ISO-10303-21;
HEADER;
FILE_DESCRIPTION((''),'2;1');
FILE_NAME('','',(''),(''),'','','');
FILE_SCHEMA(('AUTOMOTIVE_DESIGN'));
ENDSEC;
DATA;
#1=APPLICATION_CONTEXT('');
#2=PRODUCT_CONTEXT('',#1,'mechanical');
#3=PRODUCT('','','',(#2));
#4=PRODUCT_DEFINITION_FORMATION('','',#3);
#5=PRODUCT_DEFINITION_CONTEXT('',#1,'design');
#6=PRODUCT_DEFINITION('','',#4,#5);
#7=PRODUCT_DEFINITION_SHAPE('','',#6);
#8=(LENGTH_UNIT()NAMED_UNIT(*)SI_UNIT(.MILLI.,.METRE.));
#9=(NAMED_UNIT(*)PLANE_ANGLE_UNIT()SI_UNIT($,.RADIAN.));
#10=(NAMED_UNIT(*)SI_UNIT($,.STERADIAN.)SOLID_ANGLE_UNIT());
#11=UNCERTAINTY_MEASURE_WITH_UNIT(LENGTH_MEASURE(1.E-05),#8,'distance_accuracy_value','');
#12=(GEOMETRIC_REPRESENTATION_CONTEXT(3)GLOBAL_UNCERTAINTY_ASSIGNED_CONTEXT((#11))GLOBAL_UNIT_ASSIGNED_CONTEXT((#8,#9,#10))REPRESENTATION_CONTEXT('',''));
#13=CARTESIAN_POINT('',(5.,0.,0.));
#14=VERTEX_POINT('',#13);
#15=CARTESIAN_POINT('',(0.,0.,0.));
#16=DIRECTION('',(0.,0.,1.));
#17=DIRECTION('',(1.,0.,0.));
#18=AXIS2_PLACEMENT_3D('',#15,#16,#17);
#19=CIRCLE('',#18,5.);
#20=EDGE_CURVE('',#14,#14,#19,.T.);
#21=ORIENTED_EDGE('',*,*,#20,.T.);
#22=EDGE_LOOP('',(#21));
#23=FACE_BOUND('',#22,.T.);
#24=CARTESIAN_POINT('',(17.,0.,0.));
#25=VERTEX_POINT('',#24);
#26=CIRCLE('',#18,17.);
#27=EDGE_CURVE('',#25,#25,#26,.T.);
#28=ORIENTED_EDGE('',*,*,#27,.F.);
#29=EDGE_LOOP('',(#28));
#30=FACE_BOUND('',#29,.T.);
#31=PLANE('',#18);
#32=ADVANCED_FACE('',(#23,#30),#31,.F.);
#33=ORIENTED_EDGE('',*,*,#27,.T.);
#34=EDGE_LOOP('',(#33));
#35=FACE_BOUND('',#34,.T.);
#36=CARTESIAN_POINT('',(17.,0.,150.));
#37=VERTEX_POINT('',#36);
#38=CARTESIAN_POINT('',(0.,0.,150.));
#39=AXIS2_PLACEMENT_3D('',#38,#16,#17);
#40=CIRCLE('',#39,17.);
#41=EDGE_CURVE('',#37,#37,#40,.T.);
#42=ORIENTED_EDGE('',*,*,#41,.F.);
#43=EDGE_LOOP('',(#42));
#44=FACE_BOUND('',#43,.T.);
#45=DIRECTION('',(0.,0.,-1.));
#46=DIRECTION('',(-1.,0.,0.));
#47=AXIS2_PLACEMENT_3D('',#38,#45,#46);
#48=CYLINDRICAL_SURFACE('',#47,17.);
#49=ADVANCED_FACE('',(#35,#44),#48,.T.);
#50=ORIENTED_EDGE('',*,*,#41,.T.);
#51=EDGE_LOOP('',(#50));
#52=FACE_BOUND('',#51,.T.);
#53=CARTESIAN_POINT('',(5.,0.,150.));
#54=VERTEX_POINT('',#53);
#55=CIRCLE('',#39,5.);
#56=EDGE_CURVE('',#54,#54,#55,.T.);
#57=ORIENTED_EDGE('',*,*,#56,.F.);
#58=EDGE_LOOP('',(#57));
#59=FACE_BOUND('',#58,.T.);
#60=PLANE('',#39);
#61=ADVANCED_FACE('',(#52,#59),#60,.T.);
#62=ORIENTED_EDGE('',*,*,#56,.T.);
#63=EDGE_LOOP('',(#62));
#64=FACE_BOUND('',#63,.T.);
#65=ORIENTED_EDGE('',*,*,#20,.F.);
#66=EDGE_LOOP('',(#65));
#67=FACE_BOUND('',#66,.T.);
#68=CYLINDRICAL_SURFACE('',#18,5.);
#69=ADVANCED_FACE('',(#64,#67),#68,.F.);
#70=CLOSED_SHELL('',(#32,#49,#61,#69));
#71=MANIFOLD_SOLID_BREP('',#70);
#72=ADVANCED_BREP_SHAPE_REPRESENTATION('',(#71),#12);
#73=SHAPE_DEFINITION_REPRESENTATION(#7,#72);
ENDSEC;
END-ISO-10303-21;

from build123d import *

# Parameters (mm, degrees)
SKETCH1_R           = 17
BOSS_EXTRUDE1_DEPTH = 150
SKETCH2_R           = 5
CUT_EXTRUDE1_DEPTH  = 150


with BuildPart() as part:
    # Sketch1 → Boss-Extrude1 (new body)
    with BuildSketch(Plane.XY):
        Circle(SKETCH1_R)
    extrude(amount=BOSS_EXTRUDE1_DEPTH)

    # Sketch2 → Cut-Extrude1 (cut)
    with BuildSketch(Plane.XY.offset(150)):
        Circle(SKETCH2_R)
    extrude(amount=-CUT_EXTRUDE1_DEPTH, mode=Mode.SUBTRACT)


solid = part.part
